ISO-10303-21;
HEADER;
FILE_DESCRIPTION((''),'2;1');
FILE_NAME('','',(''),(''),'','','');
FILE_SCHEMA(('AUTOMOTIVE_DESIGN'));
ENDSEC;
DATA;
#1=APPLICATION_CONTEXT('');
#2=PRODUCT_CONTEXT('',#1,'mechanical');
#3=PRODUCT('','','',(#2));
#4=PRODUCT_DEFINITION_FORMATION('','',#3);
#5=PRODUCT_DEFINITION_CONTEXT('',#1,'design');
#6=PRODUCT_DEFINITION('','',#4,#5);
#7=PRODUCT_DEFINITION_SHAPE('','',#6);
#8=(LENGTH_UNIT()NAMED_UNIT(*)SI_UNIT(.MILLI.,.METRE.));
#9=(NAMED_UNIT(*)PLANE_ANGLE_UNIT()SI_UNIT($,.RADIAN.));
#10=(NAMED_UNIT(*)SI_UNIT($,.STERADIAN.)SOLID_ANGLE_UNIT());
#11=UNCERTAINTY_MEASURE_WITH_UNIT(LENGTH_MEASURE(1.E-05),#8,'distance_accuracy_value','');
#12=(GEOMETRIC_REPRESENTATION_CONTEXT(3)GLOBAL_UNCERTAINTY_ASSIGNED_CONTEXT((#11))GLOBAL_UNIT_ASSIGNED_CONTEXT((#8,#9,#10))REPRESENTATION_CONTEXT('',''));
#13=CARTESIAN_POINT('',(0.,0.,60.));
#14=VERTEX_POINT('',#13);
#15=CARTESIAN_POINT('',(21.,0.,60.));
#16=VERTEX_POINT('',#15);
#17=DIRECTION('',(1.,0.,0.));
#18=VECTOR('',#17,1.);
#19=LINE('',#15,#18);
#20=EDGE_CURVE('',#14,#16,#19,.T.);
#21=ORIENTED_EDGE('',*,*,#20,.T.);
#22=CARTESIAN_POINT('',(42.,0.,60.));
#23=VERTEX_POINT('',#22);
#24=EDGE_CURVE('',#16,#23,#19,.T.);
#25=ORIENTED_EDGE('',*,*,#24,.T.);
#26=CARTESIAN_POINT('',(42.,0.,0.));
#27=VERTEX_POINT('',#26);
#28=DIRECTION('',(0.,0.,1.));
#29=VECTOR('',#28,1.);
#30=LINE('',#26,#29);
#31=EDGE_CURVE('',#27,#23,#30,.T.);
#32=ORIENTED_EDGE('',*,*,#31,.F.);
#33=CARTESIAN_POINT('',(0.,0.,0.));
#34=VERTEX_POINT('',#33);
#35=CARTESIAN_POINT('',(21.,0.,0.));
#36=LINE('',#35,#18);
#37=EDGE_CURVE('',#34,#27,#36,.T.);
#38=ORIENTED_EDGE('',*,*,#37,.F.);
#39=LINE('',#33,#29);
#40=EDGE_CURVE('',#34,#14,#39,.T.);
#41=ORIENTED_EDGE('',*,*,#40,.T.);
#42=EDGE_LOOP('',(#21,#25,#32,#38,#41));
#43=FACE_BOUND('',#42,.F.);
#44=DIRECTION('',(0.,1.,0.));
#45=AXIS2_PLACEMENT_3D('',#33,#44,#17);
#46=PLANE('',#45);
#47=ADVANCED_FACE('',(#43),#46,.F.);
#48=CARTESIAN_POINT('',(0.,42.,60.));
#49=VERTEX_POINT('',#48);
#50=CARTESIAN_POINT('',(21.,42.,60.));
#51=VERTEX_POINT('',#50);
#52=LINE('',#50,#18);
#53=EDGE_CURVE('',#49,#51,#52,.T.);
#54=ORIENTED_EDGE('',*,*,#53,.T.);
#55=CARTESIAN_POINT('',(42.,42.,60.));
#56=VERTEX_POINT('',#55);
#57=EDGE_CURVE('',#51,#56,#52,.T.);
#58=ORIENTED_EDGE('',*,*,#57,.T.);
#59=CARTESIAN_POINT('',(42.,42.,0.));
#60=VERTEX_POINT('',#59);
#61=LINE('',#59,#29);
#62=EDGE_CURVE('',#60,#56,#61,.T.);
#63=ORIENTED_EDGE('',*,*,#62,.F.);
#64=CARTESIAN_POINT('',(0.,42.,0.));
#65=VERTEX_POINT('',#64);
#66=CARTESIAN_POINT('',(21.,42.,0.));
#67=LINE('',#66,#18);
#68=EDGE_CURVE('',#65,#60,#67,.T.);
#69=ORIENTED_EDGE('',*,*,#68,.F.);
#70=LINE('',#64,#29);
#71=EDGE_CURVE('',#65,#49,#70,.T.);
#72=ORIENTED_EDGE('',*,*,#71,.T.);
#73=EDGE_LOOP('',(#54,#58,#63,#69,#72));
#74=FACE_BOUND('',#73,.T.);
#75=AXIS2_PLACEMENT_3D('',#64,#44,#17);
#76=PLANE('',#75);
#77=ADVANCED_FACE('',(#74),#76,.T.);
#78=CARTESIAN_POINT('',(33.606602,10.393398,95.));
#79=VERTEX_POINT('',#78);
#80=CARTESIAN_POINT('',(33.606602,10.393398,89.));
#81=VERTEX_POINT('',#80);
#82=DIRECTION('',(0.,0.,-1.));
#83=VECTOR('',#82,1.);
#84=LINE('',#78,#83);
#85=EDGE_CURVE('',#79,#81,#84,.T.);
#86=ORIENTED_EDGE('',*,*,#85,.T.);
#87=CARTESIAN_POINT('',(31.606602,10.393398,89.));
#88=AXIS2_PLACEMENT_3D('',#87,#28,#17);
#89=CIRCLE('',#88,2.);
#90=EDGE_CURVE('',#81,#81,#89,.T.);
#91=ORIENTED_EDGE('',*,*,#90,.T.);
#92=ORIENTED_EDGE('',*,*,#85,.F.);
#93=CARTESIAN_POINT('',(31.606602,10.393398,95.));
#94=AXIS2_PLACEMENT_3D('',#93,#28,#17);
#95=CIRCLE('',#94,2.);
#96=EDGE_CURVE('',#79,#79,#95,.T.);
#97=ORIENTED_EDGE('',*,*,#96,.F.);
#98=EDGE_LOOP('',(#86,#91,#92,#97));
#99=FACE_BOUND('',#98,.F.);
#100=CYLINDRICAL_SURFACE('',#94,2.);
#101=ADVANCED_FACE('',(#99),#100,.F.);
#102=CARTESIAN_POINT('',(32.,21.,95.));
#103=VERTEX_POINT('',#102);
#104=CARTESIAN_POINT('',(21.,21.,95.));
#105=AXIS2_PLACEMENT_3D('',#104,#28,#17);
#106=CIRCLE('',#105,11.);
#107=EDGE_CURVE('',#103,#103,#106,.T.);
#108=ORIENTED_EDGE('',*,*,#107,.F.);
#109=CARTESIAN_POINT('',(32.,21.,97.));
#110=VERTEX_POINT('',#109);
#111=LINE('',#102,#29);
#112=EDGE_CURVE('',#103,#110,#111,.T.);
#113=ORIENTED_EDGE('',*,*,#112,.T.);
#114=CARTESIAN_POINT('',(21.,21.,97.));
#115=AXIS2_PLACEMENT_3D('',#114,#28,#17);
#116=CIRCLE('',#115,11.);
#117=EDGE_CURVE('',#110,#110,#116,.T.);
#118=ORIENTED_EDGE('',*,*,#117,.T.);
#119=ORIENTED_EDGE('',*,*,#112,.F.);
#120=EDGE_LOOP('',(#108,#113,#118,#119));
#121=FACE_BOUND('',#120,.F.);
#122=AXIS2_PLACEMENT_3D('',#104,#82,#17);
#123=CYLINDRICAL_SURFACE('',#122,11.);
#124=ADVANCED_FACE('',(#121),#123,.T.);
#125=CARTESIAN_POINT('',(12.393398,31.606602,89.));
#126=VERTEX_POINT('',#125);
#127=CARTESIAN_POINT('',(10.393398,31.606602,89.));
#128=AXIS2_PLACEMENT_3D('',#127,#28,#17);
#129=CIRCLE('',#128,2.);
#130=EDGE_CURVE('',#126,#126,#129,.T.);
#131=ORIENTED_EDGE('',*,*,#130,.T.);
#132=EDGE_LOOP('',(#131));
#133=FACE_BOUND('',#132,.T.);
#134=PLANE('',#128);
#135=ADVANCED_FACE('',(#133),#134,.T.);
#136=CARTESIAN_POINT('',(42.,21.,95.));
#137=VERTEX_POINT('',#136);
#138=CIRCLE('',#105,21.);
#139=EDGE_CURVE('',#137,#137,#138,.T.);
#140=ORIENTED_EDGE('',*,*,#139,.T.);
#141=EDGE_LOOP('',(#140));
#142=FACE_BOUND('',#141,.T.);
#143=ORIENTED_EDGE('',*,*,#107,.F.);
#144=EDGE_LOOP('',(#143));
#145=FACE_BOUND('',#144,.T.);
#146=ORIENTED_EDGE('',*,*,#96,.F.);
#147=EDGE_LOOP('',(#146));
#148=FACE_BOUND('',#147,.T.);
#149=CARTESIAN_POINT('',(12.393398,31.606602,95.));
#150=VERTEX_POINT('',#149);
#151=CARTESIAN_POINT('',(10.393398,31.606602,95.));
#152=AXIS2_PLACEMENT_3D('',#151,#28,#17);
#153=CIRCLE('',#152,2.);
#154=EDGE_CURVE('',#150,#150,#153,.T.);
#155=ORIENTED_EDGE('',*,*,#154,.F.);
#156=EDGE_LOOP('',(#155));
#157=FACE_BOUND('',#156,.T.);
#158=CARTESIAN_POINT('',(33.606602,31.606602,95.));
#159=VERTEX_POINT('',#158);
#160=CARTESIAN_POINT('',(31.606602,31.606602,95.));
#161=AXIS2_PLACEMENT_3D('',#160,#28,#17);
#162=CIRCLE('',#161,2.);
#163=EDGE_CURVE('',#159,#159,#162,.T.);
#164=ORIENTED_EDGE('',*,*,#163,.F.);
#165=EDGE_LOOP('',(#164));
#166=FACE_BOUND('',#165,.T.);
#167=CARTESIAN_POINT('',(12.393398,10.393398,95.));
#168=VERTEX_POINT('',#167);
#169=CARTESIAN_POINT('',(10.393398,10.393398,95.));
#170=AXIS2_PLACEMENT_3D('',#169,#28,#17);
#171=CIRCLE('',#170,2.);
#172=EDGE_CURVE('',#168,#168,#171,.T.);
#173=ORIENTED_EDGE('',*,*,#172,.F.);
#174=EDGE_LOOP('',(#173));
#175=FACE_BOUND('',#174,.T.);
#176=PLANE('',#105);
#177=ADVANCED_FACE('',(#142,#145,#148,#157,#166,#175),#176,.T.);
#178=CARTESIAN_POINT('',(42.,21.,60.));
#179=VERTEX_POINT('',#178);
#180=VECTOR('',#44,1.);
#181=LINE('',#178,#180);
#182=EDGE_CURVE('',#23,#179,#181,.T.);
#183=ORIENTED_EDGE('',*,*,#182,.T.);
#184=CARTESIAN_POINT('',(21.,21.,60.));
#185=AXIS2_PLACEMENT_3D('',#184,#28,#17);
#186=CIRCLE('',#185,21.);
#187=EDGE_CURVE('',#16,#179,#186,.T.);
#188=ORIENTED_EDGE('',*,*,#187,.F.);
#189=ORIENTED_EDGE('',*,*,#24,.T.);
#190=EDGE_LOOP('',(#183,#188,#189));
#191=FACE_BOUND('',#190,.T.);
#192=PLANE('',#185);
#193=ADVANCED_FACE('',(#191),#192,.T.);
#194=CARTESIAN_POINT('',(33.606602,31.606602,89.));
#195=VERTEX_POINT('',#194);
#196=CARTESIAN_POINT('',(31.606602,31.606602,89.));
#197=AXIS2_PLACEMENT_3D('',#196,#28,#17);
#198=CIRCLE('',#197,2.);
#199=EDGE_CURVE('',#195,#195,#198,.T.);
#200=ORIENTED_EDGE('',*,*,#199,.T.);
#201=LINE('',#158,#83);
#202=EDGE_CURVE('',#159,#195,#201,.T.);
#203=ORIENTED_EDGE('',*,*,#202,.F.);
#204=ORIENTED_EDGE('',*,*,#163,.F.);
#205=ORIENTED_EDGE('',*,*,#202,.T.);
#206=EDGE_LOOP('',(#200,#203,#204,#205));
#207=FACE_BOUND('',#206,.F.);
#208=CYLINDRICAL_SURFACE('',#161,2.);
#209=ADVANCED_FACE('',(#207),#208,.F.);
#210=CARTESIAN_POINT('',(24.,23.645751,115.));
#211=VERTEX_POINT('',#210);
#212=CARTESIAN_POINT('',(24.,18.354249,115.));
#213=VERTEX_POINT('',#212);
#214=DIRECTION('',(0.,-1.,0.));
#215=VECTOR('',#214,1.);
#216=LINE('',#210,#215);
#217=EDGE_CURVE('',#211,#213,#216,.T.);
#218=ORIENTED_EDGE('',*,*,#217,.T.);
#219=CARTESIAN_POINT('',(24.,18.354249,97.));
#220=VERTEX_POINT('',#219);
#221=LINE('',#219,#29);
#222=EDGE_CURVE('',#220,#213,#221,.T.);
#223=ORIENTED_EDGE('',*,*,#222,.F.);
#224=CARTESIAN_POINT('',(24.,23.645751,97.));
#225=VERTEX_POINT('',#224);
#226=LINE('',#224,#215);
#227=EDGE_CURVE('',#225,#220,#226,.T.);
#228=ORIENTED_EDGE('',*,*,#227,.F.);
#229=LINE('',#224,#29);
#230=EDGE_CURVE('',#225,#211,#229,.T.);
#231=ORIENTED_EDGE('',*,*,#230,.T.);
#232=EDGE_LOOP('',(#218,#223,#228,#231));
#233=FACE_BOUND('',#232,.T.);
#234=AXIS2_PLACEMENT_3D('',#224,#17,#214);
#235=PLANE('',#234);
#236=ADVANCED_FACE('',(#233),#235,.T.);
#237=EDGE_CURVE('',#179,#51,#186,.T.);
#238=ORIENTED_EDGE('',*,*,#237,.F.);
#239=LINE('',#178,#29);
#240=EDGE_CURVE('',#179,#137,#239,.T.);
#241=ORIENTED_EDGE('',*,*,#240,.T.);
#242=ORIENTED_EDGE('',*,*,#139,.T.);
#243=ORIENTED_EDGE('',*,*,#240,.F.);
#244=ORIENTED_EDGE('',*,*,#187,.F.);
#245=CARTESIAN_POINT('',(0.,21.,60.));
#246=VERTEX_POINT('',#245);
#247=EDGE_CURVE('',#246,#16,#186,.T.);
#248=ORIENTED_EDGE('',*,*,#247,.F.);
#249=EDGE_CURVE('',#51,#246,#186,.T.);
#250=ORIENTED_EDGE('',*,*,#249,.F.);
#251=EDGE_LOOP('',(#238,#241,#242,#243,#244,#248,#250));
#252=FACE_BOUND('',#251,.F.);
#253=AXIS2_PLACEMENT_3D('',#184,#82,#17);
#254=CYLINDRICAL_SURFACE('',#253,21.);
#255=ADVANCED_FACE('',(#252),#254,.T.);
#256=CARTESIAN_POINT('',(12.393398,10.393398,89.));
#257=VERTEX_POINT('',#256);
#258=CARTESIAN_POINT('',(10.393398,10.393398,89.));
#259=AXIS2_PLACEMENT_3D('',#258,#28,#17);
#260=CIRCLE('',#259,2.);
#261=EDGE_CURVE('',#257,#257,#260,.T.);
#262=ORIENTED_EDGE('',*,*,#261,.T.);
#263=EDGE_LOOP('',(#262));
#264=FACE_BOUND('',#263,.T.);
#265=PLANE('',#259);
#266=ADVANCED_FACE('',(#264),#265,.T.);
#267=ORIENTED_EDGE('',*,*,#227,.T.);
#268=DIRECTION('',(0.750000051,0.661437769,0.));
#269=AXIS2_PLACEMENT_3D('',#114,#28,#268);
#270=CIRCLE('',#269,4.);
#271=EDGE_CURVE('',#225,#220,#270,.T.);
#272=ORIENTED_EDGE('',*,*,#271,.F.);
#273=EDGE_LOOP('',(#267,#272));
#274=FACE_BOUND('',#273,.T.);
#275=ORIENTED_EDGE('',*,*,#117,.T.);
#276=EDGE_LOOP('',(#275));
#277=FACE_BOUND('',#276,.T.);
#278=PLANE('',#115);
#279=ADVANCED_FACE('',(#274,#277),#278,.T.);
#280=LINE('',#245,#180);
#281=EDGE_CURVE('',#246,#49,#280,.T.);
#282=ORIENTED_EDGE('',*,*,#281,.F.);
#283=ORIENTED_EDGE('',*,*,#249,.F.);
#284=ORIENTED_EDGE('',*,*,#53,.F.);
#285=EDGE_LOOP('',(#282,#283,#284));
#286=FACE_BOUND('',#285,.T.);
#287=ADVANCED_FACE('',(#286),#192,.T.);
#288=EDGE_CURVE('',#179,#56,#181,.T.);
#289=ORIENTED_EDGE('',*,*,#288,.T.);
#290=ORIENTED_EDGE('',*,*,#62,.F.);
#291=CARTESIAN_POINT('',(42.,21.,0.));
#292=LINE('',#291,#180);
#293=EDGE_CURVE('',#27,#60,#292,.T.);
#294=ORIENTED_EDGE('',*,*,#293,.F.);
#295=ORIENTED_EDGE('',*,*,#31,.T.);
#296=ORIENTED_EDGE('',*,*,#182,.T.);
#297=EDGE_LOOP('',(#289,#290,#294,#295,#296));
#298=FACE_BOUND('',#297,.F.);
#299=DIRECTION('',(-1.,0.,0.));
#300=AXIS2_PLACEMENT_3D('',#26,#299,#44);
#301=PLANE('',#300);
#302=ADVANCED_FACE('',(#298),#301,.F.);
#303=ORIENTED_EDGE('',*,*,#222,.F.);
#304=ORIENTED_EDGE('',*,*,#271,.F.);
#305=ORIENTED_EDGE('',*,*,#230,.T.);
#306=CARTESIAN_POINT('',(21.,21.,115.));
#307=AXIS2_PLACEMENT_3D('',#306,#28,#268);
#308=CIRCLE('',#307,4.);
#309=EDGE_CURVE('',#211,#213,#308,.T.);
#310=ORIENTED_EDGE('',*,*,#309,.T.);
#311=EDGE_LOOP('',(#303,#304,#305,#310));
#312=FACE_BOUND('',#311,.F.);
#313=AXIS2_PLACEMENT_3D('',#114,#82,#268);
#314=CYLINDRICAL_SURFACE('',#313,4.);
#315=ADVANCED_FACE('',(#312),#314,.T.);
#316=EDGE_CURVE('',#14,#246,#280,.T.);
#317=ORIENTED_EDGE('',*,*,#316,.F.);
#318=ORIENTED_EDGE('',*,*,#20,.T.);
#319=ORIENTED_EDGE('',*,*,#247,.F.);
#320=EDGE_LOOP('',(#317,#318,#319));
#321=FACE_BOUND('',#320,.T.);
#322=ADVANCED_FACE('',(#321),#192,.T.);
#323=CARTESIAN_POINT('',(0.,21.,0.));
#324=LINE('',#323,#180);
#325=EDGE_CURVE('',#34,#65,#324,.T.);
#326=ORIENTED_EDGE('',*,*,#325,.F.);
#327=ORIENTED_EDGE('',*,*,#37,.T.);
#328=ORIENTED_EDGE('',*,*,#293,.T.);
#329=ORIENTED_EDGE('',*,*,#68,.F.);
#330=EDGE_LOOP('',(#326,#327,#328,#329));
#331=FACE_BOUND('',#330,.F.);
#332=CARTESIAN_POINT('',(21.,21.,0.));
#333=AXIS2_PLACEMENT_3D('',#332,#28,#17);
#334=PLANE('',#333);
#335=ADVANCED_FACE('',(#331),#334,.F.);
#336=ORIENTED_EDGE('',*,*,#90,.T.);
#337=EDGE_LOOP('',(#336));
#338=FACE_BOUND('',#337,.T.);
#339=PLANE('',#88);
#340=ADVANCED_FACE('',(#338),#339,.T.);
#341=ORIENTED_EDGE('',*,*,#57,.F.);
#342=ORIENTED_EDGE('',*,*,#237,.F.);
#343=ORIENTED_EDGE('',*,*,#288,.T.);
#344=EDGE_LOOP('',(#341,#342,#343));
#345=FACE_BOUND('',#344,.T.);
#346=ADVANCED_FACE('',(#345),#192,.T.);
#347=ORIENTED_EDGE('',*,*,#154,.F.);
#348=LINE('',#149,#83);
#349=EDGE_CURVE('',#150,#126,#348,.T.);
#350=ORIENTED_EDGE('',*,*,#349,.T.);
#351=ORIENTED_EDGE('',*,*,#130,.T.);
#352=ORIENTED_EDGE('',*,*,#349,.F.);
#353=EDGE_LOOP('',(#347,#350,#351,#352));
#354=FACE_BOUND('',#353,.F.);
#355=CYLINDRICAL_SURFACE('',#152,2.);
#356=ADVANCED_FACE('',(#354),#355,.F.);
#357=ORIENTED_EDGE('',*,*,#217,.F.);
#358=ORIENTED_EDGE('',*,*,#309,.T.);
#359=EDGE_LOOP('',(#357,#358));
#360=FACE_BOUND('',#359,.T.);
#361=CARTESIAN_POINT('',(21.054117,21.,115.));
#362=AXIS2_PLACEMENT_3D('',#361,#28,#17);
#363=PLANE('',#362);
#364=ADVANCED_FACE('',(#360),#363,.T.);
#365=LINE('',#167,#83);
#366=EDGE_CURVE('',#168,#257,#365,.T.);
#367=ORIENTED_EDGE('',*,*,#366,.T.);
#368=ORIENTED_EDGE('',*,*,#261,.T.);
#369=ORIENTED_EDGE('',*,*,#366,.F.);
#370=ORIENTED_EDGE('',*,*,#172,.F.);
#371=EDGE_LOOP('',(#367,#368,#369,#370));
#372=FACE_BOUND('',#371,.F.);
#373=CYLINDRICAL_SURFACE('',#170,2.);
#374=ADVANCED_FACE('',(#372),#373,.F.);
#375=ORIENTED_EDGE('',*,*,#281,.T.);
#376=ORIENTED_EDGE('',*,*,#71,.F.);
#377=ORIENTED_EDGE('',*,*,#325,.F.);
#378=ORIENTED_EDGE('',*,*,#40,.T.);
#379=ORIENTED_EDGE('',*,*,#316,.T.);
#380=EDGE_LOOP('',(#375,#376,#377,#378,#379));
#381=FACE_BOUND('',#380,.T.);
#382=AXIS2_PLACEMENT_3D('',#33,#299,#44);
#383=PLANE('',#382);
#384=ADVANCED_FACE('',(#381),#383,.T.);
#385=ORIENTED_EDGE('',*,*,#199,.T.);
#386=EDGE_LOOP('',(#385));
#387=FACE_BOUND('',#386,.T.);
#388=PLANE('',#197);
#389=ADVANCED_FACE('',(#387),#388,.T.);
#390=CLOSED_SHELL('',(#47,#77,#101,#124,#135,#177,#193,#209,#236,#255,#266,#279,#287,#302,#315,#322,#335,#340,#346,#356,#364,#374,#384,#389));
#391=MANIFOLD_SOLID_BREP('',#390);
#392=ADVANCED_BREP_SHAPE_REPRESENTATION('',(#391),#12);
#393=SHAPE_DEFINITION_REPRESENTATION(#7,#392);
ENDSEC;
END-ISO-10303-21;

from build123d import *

# Parameters (mm, degrees)
SKETCH_W     = 42
SKETCH_H     = 42
PAD_DEPTH    = 60
SKETCH001_R  = 21
PAD001_DEPTH = 35
SKETCH002_R  = 11
PAD002_DEPTH = 2
PAD003_DEPTH = 18
SKETCH004_R  = 2
POCKET_DEPTH = 6


with BuildPart() as part:
    # Sketch → Pad (new body)
    with BuildSketch(Plane.XY):
        with Locations((21, 21)):
            Rectangle(SKETCH_W, SKETCH_H)
    extrude(amount=PAD_DEPTH)

    # Sketch001 (on Face6 of Pad) → Pad001 (join)
    with BuildSketch(Plane.XY.offset(60)):
        with Locations((21, 21)):
            Circle(SKETCH001_R)
    extrude(amount=PAD001_DEPTH)

    # Sketch002 (on Face11 of Pad001) → Pad002 (join)
    with BuildSketch(Plane.XY.offset(95)):
        with Locations((21, 21)):
            Circle(SKETCH002_R)
    extrude(amount=PAD002_DEPTH)

    # Sketch003 (on Face13 of Pad002) → Pad003 (join)
    with BuildSketch(Plane.XY.offset(97)):
        with BuildLine():
            ThreePointArc((24, 23.645751), (17, 21), (24, 18.354249))
            Line((24, 23.645751), (24, 18.354249))
        make_face()
    extrude(amount=PAD003_DEPTH)

    # Sketch004 (on Face11 of Pad003) → Pocket (cut)
    with BuildSketch(Plane.XY.offset(95)):
        with Locations((10.393398, 10.393398)):
            Circle(SKETCH004_R)
        with Locations((31.606602, 10.393398)):
            Circle(SKETCH004_R)
        with Locations((31.606602, 31.606602)):
            Circle(SKETCH004_R)
        with Locations((10.393398, 31.606602)):
            Circle(SKETCH004_R)
    extrude(amount=-POCKET_DEPTH, mode=Mode.SUBTRACT)


solid = part.part
